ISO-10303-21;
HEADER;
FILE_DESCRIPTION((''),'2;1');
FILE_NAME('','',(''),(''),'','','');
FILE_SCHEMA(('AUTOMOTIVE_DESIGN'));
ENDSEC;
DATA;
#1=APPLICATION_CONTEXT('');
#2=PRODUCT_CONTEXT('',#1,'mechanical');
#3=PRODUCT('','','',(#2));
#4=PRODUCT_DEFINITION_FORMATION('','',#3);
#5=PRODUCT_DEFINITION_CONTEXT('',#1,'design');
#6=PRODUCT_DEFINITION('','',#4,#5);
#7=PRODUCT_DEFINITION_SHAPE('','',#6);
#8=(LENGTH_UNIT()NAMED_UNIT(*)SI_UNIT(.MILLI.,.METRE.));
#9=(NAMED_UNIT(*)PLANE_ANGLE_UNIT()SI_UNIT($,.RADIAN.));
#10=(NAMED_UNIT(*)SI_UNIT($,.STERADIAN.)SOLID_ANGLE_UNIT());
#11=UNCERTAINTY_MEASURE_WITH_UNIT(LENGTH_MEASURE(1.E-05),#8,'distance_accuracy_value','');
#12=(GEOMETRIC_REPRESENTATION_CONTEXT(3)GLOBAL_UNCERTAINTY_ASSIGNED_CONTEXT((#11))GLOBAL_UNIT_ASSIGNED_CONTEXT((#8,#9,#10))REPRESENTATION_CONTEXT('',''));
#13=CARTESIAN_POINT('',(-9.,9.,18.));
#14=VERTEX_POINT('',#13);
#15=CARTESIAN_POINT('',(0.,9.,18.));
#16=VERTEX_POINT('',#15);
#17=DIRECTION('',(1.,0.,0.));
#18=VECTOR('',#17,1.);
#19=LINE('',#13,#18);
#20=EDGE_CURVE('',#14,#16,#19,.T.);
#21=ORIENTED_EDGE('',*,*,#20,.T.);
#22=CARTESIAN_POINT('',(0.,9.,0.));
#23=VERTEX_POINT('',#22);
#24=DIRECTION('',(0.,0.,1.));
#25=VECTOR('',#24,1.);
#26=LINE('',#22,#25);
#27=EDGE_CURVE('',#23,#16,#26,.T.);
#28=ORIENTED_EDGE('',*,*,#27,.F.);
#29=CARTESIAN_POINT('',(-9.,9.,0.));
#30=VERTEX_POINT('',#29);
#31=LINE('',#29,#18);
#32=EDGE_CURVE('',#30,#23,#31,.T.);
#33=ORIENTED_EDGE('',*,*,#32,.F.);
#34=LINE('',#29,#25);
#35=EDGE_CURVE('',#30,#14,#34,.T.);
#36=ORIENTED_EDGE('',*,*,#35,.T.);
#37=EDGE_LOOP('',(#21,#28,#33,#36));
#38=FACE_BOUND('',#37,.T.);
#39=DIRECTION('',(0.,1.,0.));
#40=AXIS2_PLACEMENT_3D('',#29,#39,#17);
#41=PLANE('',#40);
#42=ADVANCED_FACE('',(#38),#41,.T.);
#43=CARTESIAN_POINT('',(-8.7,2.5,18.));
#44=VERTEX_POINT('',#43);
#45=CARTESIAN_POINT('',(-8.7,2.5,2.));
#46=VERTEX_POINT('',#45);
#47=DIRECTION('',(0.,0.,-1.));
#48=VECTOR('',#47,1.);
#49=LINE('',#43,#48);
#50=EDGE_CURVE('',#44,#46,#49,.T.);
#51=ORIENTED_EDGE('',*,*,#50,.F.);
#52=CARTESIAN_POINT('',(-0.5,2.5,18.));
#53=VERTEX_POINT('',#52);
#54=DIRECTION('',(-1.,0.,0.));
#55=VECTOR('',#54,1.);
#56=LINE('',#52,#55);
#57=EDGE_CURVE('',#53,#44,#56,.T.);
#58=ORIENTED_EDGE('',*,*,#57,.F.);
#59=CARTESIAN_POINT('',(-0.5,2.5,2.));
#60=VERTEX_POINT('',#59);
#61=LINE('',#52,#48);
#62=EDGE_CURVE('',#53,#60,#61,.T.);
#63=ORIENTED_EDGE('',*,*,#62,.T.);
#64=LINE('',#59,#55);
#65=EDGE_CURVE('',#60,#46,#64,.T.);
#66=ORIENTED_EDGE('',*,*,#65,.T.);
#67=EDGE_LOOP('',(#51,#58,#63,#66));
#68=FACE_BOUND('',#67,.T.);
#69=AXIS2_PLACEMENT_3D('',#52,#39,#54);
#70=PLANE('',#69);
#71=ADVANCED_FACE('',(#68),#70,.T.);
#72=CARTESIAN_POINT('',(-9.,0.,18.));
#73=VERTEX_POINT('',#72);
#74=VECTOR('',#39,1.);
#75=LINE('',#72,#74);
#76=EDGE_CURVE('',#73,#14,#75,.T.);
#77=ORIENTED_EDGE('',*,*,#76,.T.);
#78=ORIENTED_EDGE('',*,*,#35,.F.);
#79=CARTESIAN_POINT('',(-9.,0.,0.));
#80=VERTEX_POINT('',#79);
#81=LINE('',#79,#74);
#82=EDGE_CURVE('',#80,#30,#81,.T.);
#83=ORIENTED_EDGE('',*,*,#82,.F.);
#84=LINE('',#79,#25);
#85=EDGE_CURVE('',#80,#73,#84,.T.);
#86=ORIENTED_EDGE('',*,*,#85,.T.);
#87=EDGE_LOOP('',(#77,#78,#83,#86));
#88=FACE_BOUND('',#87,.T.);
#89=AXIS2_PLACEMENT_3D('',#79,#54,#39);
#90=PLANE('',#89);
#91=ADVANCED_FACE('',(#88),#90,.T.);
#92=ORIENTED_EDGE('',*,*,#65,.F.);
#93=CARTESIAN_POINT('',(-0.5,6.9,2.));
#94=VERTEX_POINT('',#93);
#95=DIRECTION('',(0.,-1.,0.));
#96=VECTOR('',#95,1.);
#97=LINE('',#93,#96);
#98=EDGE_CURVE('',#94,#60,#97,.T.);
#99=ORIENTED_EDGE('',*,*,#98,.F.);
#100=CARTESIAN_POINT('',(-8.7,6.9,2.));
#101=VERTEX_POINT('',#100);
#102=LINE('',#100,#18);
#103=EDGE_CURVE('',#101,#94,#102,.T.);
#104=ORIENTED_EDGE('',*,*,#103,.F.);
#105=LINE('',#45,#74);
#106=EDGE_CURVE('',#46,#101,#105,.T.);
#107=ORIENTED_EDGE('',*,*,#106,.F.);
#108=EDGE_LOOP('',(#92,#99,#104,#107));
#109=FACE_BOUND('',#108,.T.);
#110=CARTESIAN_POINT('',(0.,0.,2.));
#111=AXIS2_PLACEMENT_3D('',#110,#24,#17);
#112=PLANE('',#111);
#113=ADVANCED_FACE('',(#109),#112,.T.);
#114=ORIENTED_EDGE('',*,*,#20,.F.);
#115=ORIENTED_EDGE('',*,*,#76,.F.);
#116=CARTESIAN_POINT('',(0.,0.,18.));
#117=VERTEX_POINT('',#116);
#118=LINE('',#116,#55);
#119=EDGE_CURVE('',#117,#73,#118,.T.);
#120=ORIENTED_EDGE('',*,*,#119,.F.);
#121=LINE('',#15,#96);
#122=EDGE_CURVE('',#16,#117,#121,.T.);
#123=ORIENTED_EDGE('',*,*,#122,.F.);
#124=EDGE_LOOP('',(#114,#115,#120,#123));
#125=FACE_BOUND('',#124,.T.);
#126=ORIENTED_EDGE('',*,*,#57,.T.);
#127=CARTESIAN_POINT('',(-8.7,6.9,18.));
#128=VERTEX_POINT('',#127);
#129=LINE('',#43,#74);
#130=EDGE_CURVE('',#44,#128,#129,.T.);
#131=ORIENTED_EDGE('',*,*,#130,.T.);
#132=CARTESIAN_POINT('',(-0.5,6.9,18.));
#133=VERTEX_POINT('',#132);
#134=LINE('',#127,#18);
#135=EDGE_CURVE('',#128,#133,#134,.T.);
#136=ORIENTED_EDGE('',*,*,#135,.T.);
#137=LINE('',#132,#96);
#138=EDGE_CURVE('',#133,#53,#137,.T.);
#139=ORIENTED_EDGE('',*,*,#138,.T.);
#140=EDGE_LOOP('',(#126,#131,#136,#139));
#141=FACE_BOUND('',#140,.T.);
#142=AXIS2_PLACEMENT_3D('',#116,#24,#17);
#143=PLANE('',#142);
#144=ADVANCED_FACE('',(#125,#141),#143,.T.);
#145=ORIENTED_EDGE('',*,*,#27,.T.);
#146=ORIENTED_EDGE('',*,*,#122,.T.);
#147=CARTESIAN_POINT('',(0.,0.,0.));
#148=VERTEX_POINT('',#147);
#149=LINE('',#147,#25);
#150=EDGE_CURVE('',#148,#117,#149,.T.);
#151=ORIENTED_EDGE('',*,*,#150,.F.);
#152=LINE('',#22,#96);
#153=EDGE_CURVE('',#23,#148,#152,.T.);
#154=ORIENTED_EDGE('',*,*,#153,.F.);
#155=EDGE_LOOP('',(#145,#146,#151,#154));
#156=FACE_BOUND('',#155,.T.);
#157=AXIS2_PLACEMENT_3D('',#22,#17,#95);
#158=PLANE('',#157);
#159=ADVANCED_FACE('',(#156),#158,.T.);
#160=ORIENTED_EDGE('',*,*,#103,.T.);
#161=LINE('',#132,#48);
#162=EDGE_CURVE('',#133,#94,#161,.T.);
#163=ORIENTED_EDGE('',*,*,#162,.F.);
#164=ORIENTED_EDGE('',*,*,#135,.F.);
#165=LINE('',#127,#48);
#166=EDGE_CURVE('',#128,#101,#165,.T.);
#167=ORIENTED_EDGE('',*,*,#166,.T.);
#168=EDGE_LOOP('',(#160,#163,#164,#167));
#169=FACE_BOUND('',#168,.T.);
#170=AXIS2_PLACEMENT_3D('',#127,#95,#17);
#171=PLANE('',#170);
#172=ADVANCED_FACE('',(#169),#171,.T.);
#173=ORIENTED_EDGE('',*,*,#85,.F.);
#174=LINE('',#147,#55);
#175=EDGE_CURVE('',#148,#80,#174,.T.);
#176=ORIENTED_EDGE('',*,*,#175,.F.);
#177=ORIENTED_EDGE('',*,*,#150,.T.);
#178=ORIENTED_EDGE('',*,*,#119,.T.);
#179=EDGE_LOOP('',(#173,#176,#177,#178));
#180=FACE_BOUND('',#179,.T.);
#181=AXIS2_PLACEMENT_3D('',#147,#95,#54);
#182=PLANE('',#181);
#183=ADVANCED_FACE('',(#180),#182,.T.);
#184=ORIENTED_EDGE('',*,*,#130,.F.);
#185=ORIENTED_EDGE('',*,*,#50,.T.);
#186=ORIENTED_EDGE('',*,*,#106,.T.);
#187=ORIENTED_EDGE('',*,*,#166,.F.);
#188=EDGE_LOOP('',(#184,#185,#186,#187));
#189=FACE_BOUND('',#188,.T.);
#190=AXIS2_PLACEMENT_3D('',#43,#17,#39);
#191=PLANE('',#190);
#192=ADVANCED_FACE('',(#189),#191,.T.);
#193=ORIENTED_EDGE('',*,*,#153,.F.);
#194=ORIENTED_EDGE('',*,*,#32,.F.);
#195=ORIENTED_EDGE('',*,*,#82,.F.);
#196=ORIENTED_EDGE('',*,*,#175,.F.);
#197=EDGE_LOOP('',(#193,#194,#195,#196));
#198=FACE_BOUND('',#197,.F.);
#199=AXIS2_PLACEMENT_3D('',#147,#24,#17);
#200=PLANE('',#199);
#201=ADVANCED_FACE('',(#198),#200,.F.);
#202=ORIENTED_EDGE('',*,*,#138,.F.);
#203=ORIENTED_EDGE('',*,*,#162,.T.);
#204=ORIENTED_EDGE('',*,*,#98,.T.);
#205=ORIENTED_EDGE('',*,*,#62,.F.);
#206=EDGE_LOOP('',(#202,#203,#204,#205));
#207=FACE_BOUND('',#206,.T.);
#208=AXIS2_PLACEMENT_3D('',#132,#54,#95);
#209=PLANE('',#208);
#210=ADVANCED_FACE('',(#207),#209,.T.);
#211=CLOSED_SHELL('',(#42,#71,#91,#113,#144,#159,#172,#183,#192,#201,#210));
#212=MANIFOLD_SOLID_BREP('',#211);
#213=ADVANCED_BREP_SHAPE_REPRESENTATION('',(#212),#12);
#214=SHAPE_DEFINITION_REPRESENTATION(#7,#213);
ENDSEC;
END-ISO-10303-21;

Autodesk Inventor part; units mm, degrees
ref_plane "YZ Plane" through (0, 0, 0) normal (1, 0, 0) x (0, 1, 0)
ref_plane "XZ Plane" through (0, 0, 0) normal (0, 1, 0) x (-1, 0, 0)
ref_plane "XY Plane" through (0, 0, 0) normal (0, 0, 1) x (1, 0, 0)
sketch "Sketch1" plane through (0, 0, 0) normal (0, 0, 1) x (1, 0, 0)
  line L0 (0, 0) -> (-9, 0)
  line L1 (-9, 0) -> (-9, 9)
  line L2 (-9, 9) -> (0, 9)
  line L3 (0, 9) -> (0, 0)
  dimension "d0" = 9
  dimension "d1" = 9
extrude "Extrusion1" add sketch "Sketch1" along normal blind 18
sketch "Sketch2" plane through (0, 0, 18) normal (0, 0, 1) x (1, 0, 0)
  line L0 (-0.5, 2.5) -> (-8.7, 2.5)
  line L1 (-8.7, 2.5) -> (-8.7, 6.9)
  line L2 (-8.7, 6.9) -> (-0.5, 6.9)
  line L3 (-0.5, 6.9) -> (-0.5, 2.5)
  point P0 (0, 0)
  dimension "d10" = 8.2
  dimension "d11" = 4.4
extrude "Extrusion2" cut sketch "Sketch2" against normal blind 16
properties part number "Elbow_Both_Rod_V1"
